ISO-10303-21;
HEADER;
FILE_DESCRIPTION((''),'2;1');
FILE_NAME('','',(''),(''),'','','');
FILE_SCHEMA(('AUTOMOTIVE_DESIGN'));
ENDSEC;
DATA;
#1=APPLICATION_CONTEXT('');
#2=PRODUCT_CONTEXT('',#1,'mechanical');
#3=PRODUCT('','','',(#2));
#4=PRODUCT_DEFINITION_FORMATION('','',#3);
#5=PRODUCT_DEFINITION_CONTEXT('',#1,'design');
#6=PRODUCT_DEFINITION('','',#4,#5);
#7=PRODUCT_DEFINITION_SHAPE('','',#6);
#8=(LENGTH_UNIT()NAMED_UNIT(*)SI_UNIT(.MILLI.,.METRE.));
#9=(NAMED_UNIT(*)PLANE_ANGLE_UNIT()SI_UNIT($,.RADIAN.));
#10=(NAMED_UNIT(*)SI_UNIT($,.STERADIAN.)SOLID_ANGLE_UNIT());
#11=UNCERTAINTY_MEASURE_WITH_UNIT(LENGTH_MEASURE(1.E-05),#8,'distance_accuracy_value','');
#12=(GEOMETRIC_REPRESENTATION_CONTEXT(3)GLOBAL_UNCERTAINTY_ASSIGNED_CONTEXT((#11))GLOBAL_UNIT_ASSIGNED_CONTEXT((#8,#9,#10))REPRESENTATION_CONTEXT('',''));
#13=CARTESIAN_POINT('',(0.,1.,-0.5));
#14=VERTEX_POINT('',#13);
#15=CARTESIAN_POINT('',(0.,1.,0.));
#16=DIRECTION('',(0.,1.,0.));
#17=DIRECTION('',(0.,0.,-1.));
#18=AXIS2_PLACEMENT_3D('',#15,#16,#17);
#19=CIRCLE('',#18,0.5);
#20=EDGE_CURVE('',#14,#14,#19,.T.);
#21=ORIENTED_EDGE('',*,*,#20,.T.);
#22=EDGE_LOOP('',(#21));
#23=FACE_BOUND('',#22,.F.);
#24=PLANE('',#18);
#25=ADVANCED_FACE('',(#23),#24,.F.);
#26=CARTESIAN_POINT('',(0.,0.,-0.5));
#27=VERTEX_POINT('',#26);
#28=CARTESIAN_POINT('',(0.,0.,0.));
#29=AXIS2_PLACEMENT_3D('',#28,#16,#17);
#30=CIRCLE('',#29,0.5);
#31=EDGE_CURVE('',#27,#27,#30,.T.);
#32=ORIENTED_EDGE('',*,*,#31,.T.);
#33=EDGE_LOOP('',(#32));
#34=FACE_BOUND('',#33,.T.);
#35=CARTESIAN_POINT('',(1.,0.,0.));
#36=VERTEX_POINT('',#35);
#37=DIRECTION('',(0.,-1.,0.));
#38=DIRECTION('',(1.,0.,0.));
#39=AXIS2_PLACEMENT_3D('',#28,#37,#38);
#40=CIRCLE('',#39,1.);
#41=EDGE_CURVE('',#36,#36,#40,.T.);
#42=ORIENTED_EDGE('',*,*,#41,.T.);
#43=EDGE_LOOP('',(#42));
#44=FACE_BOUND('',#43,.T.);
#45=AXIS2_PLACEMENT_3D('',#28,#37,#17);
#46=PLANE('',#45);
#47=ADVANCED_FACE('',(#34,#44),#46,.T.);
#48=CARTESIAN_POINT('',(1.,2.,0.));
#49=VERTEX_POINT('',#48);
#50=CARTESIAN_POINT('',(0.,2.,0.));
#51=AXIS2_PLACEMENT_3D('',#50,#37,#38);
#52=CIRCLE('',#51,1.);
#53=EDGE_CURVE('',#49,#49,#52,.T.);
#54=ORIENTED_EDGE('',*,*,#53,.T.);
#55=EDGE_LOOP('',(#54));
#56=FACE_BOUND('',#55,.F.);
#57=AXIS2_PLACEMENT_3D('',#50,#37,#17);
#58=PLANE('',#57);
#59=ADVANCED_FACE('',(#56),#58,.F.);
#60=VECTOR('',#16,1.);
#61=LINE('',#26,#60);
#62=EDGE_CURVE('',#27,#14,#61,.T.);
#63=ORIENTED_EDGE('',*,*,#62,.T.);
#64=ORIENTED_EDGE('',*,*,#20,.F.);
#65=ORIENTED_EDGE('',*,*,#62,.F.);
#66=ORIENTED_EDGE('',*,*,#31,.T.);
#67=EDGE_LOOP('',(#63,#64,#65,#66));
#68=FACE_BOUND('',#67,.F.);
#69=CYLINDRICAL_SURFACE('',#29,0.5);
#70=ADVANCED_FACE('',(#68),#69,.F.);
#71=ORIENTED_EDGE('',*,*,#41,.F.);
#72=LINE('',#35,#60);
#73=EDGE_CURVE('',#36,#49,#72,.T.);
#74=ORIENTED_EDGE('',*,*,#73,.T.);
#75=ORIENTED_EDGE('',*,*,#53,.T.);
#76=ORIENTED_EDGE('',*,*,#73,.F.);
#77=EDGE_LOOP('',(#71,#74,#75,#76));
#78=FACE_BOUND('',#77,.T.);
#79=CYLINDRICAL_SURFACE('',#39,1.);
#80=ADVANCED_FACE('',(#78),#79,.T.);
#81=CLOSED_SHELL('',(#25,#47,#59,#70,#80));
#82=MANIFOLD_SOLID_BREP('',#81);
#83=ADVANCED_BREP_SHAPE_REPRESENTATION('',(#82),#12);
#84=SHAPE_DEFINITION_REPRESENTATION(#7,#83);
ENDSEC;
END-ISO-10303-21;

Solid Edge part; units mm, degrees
sketch "Sketch1" plane through (0, 0, 0) normal (0, -1, 0) x (1, 0, 0)
  circle A0 centre (0, 0) radius 1
extrude "Protrusion1" add sketch "Sketch1" against normal blind 2
hole "Hole_1" at (0, 0, 0) direction (0, 1, 0) diameter 1 depth 1
